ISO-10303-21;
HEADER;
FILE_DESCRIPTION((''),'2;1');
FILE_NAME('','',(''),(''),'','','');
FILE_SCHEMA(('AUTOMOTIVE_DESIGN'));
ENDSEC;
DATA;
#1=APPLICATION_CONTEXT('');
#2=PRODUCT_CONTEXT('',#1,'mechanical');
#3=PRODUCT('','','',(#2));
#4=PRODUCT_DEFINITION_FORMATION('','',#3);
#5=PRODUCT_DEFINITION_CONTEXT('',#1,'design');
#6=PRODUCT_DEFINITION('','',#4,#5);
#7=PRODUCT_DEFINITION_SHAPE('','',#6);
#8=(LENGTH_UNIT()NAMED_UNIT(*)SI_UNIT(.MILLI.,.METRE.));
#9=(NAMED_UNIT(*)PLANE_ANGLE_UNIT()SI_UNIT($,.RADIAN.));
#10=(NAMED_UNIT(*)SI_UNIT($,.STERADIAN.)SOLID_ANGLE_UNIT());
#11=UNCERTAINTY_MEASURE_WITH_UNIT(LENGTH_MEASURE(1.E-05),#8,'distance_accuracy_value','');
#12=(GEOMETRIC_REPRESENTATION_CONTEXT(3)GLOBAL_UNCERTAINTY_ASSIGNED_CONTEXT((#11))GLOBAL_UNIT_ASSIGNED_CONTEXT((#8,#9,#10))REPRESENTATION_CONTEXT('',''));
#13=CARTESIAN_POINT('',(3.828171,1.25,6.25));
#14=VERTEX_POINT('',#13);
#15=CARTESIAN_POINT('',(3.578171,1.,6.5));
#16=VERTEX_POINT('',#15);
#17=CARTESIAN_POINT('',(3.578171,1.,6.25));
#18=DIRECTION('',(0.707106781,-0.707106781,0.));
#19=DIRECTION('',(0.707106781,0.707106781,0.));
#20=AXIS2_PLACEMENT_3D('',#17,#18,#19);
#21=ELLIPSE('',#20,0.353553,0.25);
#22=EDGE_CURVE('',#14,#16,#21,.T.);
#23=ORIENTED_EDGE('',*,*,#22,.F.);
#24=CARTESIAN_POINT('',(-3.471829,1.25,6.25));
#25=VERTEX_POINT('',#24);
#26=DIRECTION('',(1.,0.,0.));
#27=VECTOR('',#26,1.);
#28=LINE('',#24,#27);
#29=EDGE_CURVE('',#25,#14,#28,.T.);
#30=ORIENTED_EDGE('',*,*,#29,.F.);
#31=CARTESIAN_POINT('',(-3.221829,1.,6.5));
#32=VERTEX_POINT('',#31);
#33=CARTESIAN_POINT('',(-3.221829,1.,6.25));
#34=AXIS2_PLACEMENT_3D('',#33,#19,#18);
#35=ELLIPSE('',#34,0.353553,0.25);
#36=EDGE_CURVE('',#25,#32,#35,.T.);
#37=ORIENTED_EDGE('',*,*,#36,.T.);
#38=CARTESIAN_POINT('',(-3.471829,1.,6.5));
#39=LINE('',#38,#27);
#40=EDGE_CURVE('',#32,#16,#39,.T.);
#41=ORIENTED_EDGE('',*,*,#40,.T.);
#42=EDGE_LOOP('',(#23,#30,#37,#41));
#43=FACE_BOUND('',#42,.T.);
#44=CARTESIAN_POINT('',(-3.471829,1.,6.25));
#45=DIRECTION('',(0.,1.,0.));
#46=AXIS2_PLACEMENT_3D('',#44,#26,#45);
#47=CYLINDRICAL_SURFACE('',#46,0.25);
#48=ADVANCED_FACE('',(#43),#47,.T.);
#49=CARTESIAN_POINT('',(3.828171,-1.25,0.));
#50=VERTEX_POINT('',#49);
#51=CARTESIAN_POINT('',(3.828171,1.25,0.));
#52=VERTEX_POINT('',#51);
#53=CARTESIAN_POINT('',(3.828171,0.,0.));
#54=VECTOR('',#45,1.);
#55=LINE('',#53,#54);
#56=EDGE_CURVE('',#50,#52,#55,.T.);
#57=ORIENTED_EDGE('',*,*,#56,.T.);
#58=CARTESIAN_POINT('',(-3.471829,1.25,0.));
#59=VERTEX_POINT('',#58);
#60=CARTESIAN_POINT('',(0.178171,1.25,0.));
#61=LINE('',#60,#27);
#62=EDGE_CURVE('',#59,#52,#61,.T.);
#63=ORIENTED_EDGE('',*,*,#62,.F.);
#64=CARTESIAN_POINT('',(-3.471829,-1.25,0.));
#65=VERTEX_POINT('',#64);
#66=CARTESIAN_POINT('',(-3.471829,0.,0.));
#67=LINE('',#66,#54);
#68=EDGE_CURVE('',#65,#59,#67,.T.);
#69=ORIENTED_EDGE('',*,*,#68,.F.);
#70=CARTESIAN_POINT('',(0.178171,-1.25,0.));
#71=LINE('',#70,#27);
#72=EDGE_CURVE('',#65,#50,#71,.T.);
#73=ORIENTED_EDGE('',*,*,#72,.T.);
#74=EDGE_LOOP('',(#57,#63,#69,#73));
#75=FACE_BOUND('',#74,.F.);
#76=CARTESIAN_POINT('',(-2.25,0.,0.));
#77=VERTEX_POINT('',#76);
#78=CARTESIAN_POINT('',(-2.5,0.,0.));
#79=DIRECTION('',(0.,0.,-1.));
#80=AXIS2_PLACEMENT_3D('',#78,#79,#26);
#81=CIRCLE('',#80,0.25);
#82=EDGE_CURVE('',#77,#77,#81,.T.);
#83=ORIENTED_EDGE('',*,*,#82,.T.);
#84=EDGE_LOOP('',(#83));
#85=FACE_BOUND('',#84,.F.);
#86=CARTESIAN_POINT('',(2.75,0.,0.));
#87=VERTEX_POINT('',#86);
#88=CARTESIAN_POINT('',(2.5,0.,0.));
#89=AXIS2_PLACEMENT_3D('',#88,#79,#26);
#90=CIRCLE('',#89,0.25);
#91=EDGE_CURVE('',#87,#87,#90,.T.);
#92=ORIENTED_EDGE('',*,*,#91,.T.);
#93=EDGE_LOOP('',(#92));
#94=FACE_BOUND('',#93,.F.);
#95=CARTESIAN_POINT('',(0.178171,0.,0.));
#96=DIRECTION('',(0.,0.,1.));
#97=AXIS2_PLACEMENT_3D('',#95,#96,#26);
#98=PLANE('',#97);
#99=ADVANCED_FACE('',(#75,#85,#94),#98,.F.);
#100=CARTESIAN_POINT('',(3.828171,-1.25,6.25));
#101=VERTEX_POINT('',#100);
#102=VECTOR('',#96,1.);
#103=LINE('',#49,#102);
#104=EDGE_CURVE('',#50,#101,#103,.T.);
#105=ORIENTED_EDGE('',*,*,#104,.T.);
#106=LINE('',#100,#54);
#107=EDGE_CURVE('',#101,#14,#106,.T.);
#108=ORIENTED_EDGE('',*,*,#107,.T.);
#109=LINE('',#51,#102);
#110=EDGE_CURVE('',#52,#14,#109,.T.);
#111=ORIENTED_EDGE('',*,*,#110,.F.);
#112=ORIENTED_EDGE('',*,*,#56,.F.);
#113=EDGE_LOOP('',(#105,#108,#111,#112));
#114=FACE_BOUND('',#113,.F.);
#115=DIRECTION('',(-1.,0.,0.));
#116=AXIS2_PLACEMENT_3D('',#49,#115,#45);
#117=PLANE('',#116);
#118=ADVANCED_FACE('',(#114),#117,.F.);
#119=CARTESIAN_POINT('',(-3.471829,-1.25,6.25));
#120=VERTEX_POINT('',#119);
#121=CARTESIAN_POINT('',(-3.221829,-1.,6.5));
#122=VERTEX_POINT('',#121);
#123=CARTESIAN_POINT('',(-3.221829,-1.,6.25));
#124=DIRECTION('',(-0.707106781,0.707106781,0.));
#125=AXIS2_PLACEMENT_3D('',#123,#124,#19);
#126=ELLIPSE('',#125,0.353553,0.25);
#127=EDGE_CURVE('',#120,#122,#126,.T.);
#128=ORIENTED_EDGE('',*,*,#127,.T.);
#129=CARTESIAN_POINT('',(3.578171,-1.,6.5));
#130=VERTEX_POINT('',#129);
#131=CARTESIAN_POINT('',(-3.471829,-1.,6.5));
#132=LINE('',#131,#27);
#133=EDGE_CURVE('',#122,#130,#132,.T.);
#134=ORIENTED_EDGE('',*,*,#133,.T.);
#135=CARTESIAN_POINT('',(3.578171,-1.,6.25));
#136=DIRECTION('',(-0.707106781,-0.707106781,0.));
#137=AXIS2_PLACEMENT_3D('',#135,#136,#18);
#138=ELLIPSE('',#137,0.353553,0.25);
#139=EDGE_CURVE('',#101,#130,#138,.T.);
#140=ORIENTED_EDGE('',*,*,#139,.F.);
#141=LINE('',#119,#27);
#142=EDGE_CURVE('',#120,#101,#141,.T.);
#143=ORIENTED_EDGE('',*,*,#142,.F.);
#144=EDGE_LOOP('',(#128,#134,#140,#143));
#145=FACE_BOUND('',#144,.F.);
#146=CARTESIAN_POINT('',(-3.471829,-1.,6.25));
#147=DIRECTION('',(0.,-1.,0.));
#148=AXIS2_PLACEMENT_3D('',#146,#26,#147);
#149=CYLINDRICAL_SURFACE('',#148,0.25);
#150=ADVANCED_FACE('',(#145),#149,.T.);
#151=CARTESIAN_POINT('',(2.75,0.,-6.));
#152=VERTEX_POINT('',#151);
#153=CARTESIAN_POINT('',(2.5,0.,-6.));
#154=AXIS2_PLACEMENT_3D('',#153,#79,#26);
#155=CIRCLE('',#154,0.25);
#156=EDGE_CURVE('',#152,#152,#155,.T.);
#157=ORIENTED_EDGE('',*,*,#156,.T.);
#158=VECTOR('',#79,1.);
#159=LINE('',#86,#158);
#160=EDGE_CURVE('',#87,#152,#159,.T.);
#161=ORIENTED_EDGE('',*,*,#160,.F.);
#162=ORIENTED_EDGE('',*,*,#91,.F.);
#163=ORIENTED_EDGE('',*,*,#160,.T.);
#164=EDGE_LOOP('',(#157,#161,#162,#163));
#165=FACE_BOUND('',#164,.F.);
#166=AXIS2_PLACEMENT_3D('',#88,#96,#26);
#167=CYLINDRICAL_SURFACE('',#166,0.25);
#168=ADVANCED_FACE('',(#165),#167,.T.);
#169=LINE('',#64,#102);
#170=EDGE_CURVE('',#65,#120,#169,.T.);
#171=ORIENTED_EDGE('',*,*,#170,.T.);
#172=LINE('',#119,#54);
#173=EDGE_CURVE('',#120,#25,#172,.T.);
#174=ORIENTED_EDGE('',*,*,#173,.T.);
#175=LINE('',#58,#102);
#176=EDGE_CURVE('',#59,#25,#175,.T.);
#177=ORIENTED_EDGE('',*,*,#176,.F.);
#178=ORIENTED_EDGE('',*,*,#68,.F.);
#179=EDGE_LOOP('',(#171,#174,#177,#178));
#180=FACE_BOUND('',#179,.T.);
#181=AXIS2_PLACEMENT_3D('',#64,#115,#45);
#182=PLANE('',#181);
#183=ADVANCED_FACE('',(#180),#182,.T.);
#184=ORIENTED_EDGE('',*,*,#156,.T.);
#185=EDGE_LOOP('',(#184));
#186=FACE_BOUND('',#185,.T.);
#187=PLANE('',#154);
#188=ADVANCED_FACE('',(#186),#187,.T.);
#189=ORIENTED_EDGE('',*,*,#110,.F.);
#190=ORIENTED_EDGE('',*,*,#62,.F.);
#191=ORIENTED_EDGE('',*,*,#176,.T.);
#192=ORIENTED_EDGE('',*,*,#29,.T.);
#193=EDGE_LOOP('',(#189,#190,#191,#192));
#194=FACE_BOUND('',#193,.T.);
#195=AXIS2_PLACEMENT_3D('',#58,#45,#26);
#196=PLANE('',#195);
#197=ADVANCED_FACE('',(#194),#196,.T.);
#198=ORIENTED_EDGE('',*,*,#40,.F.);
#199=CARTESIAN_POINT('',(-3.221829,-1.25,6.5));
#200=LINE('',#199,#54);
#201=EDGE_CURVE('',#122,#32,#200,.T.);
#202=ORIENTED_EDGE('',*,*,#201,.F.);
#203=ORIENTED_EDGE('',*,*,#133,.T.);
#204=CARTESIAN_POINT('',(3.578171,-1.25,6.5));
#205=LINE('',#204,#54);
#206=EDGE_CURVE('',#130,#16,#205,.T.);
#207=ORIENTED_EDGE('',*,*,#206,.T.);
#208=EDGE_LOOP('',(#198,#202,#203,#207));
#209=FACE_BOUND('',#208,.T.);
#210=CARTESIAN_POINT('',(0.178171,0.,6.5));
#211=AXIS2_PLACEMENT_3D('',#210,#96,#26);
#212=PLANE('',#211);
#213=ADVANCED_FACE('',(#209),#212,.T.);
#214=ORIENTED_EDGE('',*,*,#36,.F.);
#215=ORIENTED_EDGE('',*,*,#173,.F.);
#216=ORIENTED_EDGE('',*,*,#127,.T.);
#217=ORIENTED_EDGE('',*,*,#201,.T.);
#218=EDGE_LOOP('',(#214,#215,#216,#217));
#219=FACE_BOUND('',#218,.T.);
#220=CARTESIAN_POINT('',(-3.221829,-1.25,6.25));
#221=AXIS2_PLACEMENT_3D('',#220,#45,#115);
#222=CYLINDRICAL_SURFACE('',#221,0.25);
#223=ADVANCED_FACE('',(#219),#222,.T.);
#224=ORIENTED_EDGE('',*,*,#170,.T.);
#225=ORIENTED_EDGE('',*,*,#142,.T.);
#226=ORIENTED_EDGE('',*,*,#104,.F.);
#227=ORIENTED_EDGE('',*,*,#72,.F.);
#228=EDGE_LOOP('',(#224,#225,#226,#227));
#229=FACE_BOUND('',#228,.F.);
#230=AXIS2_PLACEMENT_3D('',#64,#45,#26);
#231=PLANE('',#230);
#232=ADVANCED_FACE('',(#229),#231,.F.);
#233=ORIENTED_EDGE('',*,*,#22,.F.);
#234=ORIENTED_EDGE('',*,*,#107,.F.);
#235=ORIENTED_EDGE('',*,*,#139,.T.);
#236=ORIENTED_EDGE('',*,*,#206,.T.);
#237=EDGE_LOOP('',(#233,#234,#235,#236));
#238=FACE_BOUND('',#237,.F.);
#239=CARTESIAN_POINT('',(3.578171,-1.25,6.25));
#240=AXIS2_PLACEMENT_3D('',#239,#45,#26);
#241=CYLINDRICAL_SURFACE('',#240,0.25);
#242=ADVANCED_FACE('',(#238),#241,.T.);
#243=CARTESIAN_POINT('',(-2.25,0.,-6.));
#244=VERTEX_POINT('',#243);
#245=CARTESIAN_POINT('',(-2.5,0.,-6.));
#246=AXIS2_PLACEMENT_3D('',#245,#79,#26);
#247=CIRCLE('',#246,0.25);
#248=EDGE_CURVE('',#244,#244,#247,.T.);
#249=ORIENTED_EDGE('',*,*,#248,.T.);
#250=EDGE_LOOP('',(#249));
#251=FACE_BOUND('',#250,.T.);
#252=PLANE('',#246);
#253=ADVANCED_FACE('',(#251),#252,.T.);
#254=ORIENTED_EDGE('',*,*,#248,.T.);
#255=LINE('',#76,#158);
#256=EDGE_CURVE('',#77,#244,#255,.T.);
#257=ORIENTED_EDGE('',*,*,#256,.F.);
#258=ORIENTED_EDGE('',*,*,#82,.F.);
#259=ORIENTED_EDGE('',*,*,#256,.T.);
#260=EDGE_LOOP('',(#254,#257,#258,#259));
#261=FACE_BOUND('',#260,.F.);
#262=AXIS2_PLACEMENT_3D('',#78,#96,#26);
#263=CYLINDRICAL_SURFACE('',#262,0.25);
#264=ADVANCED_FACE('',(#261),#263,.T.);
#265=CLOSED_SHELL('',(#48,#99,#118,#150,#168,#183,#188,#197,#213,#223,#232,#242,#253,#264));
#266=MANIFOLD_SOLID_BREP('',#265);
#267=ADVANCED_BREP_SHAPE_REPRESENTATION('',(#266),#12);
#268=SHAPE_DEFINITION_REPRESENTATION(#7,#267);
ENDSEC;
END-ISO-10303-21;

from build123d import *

# Parameters (mm, degrees)
SKETCH_W     = 7.3
SKETCH_H     = 2.5
PAD_DEPTH    = 6.5
FILLET_R     = 0.25
SKETCH001_R  = 0.25
PAD001_DEPTH = 6


with BuildPart() as part:
    # Sketch → Pad (new body)
    with BuildSketch(Plane.XY):
        with Locations((0.178171, 0)):
            Rectangle(SKETCH_W, SKETCH_H)
    extrude(amount=PAD_DEPTH)

    # Fillet
    fillet_edges = [part.edges().sort_by_distance(p)[0] for p in [
        (0.178171, -1.25, 6.5),
        (0.178171, 1.25, 6.5),
        (3.828171, 0, 6.5),
        (-3.471829, 0, 6.5),
    ]]
    fillet(fillet_edges, radius=FILLET_R)

    # Sketch001 (on Face4 of Fillet) → Pad001 (join)
    with BuildSketch(Plane(origin=(0, 0, 0), x_dir=(1, 0, 0), z_dir=(0, 0, -1))):
        with Locations((2.5, 0)):
            Circle(SKETCH001_R)
        with Locations((-2.5, 0)):
            Circle(SKETCH001_R)
    extrude(amount=PAD001_DEPTH)


solid = part.part
